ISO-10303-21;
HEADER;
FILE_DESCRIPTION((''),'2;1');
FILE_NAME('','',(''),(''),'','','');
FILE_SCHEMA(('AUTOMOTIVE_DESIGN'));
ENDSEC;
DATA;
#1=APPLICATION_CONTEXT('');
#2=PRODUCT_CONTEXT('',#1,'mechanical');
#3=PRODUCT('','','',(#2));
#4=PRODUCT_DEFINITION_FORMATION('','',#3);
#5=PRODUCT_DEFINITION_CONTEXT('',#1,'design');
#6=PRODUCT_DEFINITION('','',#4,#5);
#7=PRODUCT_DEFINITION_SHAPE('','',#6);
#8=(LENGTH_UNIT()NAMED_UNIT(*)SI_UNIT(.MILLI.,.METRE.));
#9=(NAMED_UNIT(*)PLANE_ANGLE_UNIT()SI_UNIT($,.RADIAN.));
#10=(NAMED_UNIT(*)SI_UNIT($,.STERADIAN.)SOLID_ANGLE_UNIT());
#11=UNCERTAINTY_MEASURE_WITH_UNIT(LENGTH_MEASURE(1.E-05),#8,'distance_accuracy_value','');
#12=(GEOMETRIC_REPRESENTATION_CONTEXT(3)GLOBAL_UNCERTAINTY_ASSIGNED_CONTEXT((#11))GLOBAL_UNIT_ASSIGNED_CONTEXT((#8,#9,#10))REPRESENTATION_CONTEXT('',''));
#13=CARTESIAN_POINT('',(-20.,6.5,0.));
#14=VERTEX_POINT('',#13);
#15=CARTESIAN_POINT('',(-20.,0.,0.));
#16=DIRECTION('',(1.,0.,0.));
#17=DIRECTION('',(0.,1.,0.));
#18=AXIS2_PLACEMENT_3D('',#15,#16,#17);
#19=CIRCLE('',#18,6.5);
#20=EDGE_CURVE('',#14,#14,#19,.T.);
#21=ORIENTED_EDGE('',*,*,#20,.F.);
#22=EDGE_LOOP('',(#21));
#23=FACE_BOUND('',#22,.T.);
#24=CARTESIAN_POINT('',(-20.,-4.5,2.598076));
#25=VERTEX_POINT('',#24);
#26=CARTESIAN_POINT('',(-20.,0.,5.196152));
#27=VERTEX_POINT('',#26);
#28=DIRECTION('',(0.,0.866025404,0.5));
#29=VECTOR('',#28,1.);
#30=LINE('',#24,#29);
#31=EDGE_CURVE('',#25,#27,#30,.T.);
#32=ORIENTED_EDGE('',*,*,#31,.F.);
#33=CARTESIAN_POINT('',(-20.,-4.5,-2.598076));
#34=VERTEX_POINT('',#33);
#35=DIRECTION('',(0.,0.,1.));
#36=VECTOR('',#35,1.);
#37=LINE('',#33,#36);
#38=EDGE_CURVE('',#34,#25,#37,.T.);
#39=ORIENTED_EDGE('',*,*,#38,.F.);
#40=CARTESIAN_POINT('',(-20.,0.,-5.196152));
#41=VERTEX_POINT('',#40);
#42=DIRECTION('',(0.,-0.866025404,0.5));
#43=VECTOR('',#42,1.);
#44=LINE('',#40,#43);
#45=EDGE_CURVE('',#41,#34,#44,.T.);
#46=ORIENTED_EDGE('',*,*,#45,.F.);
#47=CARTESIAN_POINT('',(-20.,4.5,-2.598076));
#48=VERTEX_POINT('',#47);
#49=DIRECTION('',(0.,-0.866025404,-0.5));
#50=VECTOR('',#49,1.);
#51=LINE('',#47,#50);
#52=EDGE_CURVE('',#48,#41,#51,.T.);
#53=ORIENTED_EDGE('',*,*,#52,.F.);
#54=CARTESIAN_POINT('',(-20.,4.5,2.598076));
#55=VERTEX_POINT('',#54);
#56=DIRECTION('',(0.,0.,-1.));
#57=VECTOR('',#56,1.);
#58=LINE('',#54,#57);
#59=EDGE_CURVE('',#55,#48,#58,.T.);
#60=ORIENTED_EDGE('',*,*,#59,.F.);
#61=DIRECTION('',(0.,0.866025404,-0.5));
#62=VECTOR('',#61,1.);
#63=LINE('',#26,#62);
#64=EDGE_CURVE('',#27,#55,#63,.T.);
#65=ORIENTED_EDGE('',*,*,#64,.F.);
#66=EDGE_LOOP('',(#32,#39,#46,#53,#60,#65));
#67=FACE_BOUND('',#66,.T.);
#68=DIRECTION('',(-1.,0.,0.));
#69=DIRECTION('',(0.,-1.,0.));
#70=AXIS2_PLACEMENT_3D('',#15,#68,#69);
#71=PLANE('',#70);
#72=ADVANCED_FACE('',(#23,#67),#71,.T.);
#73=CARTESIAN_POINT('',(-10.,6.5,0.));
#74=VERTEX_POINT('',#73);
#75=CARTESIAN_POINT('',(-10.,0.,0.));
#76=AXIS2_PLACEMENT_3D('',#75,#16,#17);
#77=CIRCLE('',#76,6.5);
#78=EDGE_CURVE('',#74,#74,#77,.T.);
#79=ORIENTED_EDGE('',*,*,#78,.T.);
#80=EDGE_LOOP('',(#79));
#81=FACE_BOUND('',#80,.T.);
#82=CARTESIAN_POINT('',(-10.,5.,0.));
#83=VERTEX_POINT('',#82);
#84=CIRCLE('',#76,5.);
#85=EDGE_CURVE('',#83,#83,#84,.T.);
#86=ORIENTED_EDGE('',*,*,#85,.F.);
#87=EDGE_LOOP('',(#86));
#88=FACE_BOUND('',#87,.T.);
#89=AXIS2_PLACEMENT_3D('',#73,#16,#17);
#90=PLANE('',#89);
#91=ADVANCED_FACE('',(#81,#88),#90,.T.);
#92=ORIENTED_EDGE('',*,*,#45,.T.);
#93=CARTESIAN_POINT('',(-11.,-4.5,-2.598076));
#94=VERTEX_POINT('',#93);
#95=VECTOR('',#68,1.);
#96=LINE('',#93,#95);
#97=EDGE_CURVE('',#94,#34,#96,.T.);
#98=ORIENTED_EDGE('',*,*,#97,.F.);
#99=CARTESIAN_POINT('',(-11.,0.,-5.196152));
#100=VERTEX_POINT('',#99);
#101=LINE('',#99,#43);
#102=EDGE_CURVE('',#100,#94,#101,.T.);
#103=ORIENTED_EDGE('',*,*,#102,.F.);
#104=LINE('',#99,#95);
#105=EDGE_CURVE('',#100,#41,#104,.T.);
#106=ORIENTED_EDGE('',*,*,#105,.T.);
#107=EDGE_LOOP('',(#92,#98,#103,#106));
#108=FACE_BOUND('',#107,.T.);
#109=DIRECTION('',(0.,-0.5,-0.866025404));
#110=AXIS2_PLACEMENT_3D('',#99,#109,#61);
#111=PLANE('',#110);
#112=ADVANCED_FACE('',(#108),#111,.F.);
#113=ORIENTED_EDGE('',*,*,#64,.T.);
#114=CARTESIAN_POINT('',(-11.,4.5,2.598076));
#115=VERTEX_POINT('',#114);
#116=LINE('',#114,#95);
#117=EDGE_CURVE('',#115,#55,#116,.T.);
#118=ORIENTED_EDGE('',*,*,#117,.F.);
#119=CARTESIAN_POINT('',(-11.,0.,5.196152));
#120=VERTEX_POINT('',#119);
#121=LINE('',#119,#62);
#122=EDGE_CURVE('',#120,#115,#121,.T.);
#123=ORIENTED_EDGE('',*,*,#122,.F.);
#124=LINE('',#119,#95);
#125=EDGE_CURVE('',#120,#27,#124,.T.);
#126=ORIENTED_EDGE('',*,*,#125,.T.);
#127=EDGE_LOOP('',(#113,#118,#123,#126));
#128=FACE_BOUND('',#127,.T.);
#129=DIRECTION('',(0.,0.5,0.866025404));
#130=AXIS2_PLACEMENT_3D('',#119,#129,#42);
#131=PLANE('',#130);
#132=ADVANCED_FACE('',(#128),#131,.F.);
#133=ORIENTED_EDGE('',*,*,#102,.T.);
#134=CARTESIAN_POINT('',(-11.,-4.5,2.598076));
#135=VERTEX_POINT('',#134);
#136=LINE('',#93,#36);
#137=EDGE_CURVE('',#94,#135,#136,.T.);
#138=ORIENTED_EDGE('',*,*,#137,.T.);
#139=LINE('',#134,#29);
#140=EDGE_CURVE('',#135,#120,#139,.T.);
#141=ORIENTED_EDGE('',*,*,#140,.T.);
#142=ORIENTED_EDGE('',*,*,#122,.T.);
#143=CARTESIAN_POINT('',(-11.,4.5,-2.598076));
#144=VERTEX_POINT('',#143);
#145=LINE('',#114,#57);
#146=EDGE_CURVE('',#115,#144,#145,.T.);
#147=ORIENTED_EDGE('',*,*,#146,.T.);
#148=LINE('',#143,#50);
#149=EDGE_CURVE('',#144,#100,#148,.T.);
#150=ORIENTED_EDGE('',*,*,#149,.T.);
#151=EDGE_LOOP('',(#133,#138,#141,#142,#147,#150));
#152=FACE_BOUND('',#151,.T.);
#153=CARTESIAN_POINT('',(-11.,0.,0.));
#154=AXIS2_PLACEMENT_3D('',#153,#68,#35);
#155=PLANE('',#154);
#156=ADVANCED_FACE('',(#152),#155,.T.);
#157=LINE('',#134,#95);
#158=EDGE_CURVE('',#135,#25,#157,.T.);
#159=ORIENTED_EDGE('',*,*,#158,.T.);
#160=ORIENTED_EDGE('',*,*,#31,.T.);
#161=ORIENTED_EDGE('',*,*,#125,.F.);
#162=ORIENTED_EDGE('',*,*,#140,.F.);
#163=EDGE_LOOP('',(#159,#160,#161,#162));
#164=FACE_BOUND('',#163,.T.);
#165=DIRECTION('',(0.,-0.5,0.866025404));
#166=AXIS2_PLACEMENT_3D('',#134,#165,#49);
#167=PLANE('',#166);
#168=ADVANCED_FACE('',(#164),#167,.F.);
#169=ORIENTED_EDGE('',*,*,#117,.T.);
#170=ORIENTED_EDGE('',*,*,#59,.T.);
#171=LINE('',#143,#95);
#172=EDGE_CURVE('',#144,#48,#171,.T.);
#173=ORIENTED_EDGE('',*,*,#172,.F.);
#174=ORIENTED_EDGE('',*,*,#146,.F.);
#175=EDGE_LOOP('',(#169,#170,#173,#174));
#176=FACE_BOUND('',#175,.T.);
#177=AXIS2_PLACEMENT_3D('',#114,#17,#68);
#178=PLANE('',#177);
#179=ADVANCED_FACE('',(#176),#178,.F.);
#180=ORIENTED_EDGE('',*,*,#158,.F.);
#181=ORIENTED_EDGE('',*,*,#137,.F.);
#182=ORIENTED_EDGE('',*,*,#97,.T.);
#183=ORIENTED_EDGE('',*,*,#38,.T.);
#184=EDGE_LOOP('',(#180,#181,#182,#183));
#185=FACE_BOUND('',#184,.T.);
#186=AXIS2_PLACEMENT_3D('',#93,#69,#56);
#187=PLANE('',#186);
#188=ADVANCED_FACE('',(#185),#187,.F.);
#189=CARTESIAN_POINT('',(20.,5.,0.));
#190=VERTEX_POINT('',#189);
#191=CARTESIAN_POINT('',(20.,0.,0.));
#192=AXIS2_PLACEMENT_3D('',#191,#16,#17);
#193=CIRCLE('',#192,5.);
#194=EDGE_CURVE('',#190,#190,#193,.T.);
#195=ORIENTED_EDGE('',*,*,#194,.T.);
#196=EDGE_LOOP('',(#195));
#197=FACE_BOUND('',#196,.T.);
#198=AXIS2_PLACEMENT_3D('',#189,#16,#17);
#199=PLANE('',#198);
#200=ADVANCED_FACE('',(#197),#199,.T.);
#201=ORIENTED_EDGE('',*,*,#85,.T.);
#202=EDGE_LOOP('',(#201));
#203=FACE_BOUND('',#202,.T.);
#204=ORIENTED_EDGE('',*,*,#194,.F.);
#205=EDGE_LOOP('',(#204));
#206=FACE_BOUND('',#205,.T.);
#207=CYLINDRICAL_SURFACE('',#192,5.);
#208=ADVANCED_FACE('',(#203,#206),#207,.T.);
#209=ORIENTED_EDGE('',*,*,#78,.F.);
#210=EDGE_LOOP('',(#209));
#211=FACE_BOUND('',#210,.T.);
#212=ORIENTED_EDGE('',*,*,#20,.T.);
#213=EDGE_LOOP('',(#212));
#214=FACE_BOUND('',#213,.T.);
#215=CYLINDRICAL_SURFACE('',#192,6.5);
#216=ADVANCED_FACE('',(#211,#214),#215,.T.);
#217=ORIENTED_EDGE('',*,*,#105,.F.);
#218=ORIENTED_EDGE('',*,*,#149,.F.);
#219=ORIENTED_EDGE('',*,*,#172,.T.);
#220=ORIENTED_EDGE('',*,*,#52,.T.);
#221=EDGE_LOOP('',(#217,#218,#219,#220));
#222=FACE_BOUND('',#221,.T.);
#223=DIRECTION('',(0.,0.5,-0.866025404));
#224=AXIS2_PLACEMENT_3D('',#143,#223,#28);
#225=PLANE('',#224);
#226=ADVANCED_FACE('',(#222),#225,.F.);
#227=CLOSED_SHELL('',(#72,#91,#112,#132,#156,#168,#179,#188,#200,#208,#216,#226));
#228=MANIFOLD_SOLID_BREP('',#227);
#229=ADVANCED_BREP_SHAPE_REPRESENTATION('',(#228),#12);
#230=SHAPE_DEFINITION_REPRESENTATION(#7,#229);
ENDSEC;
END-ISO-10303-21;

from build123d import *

# Parameters (mm, degrees)
CUT_EXTRUDE1_DEPTH = 9


with BuildPart() as part:
    # Sketch1 → Revolve1 (revolve)
    with BuildSketch(Plane.XY):
        Polygon((-20, 0), (-20, 6.5), (-10, 6.5), (-10, 5), (20, 5), (20, 0), align=None)
    revolve(axis=Axis((20, 0, 0), (-1, 0, 0)))

    # Sketch2 → Cut-Extrude1 (cut)
    with BuildSketch(Plane.ZY.offset(20)):
        Polygon((5.196152423, 0), (2.598076211, 4.5), (-2.598076211, 4.5), (-5.196152423, 0), (-2.598076211, -4.5), (2.598076211, -4.5), align=None)
    extrude(amount=-CUT_EXTRUDE1_DEPTH, mode=Mode.SUBTRACT)


solid = part.part
